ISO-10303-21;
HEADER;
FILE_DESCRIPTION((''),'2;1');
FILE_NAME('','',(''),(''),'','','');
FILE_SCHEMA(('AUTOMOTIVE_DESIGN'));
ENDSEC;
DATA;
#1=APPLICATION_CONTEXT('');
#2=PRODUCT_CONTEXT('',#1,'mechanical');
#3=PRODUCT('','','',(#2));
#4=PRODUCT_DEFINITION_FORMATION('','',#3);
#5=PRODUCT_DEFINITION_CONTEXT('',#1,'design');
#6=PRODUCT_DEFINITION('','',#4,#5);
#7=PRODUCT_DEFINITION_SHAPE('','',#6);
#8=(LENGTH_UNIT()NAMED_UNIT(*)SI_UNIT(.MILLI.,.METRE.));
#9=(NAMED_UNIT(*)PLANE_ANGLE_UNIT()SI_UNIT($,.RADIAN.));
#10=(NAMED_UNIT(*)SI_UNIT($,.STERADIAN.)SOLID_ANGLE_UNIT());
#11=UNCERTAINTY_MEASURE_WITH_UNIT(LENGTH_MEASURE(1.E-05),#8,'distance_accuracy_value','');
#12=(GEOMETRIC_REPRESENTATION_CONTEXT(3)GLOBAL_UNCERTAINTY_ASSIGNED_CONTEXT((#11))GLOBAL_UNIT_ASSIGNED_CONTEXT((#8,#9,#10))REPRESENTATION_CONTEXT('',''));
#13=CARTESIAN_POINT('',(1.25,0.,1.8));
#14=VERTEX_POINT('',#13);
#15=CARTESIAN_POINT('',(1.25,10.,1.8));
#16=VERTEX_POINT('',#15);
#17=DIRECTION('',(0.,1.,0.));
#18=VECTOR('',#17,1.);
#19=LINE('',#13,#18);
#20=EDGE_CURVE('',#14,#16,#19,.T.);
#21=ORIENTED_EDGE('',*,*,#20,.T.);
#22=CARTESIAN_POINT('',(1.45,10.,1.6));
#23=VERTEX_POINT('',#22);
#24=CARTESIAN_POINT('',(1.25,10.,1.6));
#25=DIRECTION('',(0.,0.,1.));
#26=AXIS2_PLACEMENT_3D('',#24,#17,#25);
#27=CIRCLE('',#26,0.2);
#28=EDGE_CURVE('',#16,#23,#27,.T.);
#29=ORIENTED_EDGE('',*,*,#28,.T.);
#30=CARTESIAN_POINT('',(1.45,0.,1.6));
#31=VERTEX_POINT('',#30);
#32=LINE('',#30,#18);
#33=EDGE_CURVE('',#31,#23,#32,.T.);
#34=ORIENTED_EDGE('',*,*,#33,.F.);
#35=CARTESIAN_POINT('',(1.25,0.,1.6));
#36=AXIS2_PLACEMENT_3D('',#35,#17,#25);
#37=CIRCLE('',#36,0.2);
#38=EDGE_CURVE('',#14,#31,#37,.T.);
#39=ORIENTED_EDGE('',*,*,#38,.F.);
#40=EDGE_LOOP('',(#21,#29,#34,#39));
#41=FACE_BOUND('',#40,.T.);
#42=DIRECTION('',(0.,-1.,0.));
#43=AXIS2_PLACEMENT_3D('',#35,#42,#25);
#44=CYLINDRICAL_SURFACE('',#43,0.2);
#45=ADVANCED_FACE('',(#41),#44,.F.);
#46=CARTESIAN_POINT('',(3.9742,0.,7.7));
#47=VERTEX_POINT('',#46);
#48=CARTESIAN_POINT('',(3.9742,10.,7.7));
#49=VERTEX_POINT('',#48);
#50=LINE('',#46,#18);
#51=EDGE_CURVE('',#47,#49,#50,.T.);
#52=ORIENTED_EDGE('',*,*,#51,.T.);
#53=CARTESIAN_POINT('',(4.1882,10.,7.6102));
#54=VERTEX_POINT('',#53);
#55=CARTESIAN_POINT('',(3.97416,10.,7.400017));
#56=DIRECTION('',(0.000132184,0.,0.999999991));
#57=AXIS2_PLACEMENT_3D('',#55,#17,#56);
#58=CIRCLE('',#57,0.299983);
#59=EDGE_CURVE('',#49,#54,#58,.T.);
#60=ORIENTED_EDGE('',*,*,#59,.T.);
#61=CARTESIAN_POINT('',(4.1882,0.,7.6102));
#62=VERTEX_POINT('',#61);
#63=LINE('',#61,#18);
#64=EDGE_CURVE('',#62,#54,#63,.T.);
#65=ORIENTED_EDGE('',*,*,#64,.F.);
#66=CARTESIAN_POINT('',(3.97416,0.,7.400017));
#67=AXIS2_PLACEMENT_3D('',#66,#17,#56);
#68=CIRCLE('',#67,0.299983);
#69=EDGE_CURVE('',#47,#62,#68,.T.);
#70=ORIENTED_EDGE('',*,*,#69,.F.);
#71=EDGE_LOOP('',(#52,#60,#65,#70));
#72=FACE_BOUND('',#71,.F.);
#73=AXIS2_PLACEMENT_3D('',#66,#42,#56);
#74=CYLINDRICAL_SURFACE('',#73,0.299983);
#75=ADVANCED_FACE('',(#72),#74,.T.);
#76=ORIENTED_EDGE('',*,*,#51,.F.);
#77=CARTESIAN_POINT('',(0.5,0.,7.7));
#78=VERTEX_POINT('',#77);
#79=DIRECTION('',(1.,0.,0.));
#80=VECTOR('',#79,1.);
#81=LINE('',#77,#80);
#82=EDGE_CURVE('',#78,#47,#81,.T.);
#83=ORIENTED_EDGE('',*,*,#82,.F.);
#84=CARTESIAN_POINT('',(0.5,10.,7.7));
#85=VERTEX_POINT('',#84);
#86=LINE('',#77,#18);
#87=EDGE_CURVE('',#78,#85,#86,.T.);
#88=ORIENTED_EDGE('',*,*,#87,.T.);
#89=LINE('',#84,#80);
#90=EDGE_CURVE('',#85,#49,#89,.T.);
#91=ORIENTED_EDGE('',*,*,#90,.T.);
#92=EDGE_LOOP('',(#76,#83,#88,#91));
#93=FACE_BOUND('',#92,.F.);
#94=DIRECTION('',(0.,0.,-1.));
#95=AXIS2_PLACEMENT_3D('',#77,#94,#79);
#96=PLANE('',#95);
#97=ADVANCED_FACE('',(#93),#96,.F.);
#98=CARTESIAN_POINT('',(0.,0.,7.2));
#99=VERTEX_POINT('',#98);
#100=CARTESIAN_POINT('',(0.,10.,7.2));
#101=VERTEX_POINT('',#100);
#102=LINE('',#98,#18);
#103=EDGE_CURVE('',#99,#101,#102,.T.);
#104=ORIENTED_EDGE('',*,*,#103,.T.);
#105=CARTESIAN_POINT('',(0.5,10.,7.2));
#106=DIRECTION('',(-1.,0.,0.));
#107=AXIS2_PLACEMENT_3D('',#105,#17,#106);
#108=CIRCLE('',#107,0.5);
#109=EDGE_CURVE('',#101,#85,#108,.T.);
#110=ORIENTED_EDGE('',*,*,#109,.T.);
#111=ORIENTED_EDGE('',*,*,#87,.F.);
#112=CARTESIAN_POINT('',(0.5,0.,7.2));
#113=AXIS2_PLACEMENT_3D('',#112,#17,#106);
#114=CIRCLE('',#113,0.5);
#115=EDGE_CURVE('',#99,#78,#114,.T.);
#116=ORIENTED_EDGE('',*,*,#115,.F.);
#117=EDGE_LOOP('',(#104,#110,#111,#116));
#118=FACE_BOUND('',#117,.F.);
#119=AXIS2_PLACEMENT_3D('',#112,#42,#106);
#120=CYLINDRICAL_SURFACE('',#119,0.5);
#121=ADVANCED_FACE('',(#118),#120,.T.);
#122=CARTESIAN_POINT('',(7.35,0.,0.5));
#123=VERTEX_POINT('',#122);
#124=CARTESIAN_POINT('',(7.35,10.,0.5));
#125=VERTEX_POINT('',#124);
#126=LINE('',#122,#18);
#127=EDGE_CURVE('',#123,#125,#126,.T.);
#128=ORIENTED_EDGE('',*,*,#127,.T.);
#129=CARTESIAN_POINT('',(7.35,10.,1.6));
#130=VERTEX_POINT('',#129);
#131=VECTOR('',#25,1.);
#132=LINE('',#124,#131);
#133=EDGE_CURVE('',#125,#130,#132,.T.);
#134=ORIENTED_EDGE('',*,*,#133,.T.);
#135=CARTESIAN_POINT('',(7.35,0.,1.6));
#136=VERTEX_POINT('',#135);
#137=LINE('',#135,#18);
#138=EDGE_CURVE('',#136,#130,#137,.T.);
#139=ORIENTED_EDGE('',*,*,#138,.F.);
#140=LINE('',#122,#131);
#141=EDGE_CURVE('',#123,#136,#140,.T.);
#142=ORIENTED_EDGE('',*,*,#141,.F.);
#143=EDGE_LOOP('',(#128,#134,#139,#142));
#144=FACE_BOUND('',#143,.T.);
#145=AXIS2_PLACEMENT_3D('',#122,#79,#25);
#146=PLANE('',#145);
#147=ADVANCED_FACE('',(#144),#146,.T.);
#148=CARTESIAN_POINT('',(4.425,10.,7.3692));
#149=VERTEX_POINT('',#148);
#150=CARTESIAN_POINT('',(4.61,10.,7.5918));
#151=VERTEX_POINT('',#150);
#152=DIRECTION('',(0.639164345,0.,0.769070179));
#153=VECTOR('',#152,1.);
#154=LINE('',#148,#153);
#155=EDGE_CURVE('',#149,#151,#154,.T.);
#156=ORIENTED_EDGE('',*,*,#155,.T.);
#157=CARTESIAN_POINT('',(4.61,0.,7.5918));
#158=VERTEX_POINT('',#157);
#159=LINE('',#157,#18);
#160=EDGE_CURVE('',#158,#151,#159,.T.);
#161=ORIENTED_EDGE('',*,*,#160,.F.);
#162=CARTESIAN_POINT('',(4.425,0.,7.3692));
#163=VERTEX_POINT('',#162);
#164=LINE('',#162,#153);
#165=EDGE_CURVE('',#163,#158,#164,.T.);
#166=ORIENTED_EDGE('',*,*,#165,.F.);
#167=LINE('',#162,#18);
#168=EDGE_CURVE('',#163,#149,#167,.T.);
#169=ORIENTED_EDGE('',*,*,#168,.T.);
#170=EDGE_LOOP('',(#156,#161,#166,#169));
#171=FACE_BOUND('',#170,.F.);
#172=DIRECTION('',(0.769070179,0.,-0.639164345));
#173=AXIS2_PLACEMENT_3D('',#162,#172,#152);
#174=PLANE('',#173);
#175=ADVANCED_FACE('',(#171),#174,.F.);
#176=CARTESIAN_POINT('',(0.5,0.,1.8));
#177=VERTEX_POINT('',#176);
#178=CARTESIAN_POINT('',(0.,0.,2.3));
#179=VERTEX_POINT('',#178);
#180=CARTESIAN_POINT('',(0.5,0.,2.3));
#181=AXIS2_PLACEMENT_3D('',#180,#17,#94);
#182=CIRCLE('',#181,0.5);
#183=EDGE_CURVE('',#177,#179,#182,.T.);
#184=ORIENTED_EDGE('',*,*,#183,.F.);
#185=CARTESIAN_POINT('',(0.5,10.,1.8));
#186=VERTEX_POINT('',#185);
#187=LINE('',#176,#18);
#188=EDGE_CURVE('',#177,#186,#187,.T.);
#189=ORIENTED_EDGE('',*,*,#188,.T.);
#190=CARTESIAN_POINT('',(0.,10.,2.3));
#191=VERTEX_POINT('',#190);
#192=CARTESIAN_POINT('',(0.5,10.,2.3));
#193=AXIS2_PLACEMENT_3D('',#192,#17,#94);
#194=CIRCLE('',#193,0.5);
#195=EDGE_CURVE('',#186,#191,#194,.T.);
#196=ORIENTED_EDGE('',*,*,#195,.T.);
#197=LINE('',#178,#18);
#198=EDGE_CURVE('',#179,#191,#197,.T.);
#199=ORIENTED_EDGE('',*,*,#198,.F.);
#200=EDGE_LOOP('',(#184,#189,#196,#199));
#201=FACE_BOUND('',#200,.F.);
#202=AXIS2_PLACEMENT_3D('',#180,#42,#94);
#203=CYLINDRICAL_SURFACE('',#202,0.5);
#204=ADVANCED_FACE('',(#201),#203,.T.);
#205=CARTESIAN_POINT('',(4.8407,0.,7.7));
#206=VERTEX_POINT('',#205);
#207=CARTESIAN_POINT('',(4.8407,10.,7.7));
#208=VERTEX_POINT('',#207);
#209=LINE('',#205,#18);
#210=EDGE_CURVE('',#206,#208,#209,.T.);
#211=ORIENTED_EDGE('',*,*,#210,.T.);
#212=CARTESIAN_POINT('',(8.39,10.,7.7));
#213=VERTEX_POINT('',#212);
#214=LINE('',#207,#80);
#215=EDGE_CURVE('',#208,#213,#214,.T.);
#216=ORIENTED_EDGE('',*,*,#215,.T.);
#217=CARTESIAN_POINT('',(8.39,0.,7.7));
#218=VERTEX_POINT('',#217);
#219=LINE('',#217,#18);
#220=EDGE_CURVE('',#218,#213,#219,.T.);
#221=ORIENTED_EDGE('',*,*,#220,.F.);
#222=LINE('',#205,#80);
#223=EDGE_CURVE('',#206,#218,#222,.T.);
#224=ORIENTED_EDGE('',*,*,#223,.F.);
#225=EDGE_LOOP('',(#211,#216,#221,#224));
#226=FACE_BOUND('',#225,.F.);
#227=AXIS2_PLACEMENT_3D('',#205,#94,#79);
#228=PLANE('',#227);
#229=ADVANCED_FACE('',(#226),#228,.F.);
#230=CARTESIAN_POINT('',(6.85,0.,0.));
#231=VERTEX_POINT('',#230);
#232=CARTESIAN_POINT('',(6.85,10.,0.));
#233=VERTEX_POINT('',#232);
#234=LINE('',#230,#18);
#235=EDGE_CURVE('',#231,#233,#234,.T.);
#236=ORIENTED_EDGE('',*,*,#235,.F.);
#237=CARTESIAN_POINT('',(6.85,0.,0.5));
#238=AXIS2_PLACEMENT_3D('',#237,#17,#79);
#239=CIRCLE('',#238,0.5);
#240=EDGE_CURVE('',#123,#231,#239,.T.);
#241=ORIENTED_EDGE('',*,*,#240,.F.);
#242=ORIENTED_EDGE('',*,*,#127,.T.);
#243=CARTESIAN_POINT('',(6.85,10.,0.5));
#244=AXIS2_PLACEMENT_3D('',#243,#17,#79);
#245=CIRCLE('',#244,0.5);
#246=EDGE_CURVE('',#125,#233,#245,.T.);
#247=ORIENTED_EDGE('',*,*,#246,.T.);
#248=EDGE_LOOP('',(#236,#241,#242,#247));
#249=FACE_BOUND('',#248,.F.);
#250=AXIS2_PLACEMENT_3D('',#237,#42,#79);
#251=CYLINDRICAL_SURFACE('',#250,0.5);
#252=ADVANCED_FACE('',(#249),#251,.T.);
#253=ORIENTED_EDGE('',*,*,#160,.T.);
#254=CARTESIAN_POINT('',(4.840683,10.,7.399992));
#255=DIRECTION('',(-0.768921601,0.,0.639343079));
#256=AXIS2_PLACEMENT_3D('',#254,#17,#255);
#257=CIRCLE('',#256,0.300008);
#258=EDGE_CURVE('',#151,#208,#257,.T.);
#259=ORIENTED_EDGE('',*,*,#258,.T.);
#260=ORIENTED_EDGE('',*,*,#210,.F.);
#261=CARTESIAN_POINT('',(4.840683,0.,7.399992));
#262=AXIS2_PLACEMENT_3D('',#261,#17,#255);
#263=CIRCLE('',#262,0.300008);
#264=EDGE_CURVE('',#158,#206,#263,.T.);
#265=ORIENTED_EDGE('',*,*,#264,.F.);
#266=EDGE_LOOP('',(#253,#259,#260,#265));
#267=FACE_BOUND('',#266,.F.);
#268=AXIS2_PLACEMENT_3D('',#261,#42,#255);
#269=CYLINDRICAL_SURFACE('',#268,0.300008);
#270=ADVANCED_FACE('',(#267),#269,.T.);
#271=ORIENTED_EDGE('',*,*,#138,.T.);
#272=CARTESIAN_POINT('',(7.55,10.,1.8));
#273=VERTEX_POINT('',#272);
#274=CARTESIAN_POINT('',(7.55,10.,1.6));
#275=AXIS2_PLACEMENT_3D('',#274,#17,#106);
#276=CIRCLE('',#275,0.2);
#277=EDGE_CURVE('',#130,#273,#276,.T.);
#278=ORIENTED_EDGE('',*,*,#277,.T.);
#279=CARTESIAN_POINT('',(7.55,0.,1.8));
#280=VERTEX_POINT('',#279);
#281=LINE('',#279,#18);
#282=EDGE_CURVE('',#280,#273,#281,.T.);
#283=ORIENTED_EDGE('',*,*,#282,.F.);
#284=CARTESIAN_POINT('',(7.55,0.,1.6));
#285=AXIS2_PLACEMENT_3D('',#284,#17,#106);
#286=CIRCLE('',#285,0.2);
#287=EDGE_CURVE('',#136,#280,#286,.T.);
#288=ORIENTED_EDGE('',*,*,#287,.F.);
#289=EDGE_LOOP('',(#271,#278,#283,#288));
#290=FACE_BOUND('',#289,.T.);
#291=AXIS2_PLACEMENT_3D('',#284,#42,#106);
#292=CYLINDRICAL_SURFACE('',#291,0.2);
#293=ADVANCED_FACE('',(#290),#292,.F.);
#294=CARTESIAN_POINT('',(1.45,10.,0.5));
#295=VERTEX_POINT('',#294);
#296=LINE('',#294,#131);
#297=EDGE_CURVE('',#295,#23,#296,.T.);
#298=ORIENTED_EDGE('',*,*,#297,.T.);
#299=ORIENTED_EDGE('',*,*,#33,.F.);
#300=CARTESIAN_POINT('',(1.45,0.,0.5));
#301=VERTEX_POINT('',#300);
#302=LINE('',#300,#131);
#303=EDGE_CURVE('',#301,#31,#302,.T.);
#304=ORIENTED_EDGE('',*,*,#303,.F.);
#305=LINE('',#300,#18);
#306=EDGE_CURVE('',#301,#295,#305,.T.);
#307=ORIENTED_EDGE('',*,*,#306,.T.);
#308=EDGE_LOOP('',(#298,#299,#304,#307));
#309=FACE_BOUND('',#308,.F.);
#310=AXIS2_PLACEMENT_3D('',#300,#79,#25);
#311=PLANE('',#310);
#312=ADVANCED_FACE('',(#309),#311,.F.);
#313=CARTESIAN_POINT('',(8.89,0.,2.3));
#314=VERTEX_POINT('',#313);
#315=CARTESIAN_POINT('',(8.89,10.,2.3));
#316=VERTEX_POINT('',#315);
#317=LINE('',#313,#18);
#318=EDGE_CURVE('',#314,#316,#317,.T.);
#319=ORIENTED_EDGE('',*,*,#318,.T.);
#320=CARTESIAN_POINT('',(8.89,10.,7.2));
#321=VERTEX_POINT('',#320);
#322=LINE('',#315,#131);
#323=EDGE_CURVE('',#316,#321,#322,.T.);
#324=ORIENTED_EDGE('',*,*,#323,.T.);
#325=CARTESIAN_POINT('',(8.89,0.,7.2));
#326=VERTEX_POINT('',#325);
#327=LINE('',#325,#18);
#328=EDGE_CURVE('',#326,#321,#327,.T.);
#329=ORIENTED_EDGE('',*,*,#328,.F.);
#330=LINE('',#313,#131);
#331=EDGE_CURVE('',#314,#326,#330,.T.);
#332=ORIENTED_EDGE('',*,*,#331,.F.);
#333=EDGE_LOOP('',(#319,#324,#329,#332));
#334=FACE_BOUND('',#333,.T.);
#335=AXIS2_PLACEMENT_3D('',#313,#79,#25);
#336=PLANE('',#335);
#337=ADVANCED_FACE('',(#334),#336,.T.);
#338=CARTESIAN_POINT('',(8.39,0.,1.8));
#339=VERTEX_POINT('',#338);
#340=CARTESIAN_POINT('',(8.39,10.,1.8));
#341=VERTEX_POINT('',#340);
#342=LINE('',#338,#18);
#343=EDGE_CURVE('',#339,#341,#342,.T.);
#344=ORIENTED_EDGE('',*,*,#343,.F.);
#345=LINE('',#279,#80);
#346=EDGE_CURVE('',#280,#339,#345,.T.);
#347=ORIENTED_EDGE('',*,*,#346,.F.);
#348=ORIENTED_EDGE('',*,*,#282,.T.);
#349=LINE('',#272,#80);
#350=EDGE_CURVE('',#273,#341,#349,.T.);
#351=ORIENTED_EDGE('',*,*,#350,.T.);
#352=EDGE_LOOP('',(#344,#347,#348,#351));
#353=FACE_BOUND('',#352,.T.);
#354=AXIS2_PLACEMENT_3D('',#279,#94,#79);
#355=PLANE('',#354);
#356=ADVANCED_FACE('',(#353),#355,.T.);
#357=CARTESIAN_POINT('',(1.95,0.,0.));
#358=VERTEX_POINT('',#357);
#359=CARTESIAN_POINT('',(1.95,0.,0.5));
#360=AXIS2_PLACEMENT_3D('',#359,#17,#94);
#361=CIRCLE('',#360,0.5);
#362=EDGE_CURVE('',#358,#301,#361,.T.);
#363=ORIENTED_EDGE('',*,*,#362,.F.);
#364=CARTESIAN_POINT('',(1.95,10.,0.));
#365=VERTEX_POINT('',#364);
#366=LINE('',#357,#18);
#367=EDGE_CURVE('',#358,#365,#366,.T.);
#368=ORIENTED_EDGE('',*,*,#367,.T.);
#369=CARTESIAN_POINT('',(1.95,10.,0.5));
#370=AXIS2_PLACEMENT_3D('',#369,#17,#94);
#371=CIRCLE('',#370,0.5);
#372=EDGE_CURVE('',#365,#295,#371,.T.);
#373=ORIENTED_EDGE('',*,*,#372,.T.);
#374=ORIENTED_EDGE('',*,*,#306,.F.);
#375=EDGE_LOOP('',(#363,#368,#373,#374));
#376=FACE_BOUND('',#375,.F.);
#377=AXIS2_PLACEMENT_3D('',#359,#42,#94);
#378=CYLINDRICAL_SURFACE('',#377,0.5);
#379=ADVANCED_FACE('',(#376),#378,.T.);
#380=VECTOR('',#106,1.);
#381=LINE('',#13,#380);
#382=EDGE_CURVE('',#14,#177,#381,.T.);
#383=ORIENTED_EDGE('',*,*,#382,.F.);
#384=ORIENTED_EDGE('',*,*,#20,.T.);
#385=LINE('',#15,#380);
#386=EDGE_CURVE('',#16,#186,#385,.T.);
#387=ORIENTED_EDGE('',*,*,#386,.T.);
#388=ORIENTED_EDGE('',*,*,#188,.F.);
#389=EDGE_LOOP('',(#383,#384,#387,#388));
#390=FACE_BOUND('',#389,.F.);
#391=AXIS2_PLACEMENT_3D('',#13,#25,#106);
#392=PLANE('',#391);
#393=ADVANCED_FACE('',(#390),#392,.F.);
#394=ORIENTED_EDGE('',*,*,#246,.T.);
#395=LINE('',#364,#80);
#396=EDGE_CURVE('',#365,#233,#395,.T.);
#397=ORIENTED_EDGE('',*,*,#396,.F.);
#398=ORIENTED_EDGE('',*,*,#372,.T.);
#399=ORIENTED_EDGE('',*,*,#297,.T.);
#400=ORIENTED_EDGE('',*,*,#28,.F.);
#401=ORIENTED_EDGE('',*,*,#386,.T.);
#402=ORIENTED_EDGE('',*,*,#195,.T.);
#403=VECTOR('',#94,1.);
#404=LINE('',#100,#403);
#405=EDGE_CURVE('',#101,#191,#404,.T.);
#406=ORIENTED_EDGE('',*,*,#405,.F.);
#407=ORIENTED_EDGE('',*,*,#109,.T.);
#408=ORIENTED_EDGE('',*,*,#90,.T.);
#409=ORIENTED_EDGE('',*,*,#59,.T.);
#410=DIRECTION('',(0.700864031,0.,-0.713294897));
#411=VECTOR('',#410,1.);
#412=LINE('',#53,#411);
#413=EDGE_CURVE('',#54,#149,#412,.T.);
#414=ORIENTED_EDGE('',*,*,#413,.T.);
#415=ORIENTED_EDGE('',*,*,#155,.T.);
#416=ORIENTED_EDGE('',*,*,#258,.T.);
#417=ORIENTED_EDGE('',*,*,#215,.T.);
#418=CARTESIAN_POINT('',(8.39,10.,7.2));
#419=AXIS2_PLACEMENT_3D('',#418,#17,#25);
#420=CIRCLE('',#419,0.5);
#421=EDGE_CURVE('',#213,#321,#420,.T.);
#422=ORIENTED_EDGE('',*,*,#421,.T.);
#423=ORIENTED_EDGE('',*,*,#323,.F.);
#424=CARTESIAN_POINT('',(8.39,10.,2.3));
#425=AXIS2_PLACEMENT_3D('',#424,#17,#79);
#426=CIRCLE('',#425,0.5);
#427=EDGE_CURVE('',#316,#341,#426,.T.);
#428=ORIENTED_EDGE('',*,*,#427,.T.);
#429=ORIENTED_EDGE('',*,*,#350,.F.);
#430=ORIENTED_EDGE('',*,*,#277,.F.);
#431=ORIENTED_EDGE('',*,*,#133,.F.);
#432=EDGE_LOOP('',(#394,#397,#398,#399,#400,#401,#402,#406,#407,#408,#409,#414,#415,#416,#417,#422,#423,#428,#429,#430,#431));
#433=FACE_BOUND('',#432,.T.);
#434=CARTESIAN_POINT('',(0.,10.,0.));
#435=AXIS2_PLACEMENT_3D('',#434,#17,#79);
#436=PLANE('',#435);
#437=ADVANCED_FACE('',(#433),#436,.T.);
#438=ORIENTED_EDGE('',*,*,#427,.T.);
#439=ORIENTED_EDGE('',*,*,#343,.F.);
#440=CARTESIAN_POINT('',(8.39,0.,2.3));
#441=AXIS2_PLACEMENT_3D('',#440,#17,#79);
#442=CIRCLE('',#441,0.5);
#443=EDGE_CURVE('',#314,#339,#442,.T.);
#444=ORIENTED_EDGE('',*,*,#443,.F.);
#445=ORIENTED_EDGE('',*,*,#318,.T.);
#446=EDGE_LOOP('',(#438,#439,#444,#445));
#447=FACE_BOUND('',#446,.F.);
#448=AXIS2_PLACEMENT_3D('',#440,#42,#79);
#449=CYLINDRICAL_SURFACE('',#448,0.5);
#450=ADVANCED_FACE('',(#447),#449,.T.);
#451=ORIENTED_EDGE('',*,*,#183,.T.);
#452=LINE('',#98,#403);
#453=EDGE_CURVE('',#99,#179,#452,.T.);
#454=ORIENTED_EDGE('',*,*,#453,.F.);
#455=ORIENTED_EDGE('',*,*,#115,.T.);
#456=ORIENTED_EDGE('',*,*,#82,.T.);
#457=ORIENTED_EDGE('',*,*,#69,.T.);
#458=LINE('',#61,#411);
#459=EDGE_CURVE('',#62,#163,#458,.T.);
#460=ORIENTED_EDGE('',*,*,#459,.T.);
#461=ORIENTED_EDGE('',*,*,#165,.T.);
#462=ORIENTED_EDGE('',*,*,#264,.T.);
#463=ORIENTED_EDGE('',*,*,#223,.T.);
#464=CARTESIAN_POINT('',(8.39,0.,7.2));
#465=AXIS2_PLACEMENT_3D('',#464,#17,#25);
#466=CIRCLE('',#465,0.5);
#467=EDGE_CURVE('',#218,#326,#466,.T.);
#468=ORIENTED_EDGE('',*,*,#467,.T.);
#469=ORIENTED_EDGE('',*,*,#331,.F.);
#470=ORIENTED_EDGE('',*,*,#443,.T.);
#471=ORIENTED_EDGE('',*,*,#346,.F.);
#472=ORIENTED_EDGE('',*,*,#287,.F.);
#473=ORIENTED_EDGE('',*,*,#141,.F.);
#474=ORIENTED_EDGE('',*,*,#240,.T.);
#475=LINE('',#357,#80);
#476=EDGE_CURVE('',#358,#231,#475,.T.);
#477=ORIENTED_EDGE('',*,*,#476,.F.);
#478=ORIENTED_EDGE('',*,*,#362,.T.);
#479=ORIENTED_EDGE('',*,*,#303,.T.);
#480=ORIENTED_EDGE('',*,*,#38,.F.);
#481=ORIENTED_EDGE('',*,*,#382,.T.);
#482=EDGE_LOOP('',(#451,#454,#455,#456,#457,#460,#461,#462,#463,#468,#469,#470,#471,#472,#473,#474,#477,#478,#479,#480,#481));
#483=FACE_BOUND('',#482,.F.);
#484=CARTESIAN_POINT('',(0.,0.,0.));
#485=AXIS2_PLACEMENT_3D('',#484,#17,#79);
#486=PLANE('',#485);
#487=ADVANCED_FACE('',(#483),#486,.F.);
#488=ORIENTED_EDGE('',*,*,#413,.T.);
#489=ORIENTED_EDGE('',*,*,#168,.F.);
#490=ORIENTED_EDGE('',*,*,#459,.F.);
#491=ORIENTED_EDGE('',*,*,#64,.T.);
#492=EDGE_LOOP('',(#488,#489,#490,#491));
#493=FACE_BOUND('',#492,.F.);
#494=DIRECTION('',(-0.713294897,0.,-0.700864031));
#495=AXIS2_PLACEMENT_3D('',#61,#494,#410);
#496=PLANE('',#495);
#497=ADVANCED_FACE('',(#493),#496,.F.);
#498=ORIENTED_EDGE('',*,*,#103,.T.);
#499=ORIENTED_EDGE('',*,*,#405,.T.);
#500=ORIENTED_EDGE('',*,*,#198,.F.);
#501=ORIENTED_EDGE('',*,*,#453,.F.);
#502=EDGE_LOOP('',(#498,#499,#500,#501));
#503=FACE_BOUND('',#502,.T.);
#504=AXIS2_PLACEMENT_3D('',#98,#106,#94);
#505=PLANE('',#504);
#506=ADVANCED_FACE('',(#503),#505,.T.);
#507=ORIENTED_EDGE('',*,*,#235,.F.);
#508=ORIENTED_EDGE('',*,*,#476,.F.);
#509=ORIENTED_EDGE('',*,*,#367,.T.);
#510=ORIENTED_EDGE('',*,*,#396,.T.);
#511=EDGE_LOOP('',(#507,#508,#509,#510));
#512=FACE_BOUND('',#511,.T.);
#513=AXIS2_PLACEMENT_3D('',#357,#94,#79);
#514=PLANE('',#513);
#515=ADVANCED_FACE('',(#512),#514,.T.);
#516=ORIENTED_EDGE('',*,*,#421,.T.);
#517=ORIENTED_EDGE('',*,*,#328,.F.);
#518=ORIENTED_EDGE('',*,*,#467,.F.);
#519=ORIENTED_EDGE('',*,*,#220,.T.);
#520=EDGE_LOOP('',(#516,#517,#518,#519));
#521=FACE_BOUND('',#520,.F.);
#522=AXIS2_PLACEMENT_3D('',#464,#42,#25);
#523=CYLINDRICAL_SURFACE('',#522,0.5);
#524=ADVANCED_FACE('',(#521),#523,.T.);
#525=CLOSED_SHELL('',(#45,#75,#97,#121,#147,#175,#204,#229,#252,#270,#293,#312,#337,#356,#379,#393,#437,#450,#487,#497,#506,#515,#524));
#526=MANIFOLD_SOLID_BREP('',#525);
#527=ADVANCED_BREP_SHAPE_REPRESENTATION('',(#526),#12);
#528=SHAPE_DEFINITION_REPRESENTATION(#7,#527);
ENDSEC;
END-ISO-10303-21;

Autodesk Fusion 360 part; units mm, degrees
sketch "Boceto1" plane through (0, 0, 0) normal (0, 1, 0) x (1, 0, 0)
  line L0 (1.95, 0) -> (6.85, 0)
  line L1 (8.89, -2.3) -> (8.89, -7.2)
  line L2 (0, -7.2) -> (0, -2.3)
  line L3 (1.45, -0.5) -> (1.45, -1.6)
  line L4 (1.25, -1.8) -> (0.5, -1.8)
  line L5 (7.35, -0.5) -> (7.35, -1.6)
  line L6 (7.55, -1.8) -> (8.39, -1.8)
  arc A0 (0, -7.2) -> (0.5, -7.7) centre (0.5, -7.2) ccw
  arc A1 (8.39, -7.7) -> (8.89, -7.2) centre (8.39, -7.2) ccw
  arc A2 (8.89, -2.3) -> (8.39, -1.8) centre (8.39, -2.3) ccw
  arc A3 (0.5, -1.8) -> (0, -2.3) centre (0.5, -2.3) ccw
  arc A4 (1.95, 0) -> (1.45, -0.5) centre (1.95, -0.5) ccw
  arc A5 (7.35, -0.5) -> (6.85, 0) centre (6.85, -0.5) ccw
  arc A6 (1.25, -1.8) -> (1.45, -1.6) centre (1.25, -1.6) ccw
  arc A7 (7.35, -1.6) -> (7.55, -1.8) centre (7.55, -1.6) ccw
  line L7 (4.1882, -7.6102) -> (4.425, -7.3692)
  line L8 (4.425, -7.3692) -> (4.61, -7.5918)
  line L9 (0.5, -7.7) -> (3.9742, -7.7)
  line L10 (4.8407, -7.7) -> (8.39, -7.7)
  arc A8 (3.9742, -7.7) -> (4.1882, -7.6102) centre (3.9742, -7.4) ccw
  arc A9 (4.61, -7.5918) -> (4.8407, -7.7) centre (4.8407, -7.4) ccw
  point P0 (0, -7.7)
  dimension "d1" = 7.7
  dimension "d3" = 0.5
  dimension "d4" = 0.2
  dimension "d5" = 0.3
extrude "Extruir1" add sketch "Boceto1" along normal blind 10
equation "L = 10 mm"
equation "d7 = L"
